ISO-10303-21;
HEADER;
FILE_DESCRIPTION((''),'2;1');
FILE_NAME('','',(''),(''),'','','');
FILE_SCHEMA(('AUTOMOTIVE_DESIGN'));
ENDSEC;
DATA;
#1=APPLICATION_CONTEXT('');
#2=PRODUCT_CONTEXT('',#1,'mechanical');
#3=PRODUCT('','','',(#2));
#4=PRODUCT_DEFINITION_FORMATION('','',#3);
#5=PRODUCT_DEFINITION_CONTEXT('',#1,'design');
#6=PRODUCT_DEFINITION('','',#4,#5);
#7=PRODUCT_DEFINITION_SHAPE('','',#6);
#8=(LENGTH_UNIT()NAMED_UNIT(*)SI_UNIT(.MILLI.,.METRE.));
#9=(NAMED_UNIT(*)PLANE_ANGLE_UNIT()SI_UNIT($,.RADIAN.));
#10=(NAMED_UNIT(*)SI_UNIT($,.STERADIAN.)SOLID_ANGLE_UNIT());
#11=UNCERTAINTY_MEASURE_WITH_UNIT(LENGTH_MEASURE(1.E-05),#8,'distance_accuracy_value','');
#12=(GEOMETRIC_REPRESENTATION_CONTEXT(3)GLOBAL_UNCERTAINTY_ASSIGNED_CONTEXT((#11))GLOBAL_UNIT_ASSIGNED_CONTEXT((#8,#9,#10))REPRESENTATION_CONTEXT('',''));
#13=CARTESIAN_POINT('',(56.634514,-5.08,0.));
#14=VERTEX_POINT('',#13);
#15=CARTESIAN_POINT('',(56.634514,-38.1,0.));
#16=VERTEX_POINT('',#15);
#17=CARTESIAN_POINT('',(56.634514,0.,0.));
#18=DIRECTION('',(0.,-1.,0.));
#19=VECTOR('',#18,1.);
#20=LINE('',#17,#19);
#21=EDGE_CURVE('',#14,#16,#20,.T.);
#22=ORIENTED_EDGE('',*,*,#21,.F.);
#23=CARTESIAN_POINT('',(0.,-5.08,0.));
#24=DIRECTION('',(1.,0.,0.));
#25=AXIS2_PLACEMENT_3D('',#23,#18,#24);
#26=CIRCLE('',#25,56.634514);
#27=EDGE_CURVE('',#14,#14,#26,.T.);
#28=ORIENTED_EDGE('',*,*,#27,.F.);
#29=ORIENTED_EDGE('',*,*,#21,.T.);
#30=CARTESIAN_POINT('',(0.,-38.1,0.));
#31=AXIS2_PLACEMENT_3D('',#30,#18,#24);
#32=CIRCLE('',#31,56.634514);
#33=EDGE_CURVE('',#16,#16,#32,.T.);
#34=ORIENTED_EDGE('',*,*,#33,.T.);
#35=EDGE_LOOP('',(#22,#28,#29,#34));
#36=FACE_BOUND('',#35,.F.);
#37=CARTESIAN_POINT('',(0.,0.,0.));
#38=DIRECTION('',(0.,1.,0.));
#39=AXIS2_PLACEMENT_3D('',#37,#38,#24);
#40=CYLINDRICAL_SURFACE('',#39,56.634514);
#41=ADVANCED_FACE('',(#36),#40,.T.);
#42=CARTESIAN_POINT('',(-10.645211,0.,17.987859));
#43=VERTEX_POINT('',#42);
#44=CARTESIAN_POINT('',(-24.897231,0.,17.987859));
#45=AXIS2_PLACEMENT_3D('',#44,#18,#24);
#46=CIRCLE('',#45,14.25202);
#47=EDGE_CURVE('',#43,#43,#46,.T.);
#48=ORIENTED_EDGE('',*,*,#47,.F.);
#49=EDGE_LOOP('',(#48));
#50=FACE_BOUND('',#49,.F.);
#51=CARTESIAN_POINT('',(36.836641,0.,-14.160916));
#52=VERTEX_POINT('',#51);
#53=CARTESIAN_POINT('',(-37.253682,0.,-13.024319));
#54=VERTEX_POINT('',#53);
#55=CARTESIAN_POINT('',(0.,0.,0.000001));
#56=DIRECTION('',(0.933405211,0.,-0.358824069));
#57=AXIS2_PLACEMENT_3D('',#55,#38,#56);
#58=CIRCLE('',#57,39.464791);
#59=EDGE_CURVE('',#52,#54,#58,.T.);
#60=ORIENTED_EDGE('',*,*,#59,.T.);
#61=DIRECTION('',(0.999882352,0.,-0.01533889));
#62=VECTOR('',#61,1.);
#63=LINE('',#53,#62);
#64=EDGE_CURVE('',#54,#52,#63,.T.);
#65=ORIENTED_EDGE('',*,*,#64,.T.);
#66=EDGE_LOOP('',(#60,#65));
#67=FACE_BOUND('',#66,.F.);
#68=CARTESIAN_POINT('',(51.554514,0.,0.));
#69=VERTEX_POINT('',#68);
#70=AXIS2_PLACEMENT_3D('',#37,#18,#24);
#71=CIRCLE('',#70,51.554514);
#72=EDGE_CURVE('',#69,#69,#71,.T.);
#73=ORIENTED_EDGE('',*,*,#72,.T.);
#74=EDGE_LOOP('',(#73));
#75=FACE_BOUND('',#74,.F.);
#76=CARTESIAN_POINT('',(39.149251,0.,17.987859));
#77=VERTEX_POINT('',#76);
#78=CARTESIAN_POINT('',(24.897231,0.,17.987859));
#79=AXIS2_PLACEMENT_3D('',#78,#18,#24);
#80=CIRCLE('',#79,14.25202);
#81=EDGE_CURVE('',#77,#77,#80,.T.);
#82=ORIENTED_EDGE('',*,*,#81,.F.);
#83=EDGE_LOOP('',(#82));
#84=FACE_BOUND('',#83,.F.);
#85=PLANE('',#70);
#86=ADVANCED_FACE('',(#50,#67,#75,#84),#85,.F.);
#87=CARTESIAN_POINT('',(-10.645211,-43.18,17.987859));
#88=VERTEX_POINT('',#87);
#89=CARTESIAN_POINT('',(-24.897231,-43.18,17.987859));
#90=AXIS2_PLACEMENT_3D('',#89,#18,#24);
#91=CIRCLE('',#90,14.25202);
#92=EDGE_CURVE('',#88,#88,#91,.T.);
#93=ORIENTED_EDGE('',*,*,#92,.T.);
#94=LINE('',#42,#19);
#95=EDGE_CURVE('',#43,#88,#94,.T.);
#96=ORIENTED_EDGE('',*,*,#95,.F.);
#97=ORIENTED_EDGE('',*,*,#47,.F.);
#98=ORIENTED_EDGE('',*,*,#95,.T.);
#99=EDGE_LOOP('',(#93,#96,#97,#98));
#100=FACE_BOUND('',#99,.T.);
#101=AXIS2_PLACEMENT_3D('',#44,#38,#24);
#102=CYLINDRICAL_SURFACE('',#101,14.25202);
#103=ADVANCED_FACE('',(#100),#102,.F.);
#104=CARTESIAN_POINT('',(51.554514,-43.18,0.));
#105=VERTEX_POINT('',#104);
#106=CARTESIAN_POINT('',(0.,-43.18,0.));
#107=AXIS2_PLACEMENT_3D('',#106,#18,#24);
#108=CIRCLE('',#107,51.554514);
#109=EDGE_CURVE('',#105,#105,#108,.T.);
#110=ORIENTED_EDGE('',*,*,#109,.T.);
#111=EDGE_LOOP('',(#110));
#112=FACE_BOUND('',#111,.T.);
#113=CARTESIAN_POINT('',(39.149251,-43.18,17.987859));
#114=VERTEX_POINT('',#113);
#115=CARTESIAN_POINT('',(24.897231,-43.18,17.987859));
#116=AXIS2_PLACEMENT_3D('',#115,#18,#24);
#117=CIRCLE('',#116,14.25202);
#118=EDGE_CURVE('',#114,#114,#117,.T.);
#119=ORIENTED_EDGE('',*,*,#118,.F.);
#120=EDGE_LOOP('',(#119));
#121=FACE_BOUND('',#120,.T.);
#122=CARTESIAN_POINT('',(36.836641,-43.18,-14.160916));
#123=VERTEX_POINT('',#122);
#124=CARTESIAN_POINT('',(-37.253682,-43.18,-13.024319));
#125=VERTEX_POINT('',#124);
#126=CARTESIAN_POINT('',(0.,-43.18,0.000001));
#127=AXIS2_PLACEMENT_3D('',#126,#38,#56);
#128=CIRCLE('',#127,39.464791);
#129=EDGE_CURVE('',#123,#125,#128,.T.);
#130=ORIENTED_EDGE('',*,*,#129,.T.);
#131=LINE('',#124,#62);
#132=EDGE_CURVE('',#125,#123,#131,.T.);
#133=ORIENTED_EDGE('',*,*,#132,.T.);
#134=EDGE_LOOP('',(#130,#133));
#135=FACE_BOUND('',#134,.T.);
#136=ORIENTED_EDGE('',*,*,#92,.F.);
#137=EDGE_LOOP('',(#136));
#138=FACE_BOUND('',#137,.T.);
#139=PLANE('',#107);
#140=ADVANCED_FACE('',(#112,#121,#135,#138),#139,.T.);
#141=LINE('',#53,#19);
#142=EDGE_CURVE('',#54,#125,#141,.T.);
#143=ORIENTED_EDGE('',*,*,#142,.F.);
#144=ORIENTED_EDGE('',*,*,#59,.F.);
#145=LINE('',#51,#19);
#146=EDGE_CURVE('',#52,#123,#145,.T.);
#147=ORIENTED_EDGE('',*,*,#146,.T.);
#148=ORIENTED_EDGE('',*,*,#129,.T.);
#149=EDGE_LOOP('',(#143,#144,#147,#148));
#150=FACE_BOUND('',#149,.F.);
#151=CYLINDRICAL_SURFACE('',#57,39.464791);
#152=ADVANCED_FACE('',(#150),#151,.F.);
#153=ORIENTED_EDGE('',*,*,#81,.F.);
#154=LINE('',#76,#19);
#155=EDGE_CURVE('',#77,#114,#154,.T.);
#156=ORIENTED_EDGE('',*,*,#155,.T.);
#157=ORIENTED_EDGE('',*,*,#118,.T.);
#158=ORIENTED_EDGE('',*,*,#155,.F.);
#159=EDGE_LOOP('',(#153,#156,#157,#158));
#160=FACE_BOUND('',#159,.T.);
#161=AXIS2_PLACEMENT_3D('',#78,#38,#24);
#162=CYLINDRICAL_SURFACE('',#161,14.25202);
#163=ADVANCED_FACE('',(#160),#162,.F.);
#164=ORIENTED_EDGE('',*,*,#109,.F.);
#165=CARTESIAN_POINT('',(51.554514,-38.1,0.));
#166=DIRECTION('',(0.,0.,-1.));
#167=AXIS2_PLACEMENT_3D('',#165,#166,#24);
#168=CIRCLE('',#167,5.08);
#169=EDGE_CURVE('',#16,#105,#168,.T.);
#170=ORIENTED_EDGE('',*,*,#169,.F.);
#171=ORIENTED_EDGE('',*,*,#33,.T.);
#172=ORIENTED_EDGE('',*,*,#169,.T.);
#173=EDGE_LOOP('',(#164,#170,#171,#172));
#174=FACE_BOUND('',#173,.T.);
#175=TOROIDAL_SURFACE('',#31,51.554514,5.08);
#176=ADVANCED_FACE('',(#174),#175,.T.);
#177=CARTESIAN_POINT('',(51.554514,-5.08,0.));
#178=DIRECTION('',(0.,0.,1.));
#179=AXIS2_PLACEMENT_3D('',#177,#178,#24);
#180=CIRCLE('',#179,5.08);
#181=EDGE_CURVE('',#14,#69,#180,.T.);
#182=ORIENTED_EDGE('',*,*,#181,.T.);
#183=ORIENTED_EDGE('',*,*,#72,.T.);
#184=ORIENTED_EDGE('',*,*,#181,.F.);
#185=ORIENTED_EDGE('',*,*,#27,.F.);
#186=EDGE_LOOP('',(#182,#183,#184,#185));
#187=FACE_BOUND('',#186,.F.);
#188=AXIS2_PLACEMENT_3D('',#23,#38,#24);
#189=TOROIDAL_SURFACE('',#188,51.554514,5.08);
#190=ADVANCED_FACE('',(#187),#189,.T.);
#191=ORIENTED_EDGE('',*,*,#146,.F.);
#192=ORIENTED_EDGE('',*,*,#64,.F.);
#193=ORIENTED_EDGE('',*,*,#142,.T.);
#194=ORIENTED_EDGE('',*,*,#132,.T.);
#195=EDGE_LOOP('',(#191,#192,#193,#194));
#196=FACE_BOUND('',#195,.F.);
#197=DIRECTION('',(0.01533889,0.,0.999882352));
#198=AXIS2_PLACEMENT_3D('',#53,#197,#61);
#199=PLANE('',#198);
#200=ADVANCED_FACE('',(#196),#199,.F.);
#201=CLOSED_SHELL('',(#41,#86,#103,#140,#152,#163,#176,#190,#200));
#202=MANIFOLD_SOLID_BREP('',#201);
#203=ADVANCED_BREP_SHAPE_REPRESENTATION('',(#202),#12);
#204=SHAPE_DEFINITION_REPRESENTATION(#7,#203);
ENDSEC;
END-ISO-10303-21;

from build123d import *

# Parameters (mm, degrees)
F0_R     = 56.634514
F0_R_2   = 14.25202
F1_DEPTH = 43.18
F2_R     = 5.08


with BuildPart() as f1:
    # F0 (on Front) → F1 (new body)
    with BuildSketch(Plane.XZ):
        Circle(F0_R)
        with BuildLine():
            ThreePointArc((36.836641, -14.160916), (-0.605346, -39.460147), (-37.253682, -13.024319))
            Line((-37.253682, -13.024319), (36.836641, -14.160916))
        make_face(mode=Mode.SUBTRACT)
        with Locations((-24.897231, 17.987859)):
            Circle(F0_R_2, mode=Mode.SUBTRACT)
        with Locations((24.897231, 17.987859)):
            Circle(F0_R_2, mode=Mode.SUBTRACT)
    extrude(amount=F1_DEPTH)

    # F2
    f2_edges = [f1.edges().sort_by_distance(p)[0] for p in [
        (-56.634514, -43.18, 0),
        (56.634514, -21.59, 0),
        (-56.634514, 0, 0),
    ]]
    fillet(f2_edges, radius=F2_R)


solid = f1.part
